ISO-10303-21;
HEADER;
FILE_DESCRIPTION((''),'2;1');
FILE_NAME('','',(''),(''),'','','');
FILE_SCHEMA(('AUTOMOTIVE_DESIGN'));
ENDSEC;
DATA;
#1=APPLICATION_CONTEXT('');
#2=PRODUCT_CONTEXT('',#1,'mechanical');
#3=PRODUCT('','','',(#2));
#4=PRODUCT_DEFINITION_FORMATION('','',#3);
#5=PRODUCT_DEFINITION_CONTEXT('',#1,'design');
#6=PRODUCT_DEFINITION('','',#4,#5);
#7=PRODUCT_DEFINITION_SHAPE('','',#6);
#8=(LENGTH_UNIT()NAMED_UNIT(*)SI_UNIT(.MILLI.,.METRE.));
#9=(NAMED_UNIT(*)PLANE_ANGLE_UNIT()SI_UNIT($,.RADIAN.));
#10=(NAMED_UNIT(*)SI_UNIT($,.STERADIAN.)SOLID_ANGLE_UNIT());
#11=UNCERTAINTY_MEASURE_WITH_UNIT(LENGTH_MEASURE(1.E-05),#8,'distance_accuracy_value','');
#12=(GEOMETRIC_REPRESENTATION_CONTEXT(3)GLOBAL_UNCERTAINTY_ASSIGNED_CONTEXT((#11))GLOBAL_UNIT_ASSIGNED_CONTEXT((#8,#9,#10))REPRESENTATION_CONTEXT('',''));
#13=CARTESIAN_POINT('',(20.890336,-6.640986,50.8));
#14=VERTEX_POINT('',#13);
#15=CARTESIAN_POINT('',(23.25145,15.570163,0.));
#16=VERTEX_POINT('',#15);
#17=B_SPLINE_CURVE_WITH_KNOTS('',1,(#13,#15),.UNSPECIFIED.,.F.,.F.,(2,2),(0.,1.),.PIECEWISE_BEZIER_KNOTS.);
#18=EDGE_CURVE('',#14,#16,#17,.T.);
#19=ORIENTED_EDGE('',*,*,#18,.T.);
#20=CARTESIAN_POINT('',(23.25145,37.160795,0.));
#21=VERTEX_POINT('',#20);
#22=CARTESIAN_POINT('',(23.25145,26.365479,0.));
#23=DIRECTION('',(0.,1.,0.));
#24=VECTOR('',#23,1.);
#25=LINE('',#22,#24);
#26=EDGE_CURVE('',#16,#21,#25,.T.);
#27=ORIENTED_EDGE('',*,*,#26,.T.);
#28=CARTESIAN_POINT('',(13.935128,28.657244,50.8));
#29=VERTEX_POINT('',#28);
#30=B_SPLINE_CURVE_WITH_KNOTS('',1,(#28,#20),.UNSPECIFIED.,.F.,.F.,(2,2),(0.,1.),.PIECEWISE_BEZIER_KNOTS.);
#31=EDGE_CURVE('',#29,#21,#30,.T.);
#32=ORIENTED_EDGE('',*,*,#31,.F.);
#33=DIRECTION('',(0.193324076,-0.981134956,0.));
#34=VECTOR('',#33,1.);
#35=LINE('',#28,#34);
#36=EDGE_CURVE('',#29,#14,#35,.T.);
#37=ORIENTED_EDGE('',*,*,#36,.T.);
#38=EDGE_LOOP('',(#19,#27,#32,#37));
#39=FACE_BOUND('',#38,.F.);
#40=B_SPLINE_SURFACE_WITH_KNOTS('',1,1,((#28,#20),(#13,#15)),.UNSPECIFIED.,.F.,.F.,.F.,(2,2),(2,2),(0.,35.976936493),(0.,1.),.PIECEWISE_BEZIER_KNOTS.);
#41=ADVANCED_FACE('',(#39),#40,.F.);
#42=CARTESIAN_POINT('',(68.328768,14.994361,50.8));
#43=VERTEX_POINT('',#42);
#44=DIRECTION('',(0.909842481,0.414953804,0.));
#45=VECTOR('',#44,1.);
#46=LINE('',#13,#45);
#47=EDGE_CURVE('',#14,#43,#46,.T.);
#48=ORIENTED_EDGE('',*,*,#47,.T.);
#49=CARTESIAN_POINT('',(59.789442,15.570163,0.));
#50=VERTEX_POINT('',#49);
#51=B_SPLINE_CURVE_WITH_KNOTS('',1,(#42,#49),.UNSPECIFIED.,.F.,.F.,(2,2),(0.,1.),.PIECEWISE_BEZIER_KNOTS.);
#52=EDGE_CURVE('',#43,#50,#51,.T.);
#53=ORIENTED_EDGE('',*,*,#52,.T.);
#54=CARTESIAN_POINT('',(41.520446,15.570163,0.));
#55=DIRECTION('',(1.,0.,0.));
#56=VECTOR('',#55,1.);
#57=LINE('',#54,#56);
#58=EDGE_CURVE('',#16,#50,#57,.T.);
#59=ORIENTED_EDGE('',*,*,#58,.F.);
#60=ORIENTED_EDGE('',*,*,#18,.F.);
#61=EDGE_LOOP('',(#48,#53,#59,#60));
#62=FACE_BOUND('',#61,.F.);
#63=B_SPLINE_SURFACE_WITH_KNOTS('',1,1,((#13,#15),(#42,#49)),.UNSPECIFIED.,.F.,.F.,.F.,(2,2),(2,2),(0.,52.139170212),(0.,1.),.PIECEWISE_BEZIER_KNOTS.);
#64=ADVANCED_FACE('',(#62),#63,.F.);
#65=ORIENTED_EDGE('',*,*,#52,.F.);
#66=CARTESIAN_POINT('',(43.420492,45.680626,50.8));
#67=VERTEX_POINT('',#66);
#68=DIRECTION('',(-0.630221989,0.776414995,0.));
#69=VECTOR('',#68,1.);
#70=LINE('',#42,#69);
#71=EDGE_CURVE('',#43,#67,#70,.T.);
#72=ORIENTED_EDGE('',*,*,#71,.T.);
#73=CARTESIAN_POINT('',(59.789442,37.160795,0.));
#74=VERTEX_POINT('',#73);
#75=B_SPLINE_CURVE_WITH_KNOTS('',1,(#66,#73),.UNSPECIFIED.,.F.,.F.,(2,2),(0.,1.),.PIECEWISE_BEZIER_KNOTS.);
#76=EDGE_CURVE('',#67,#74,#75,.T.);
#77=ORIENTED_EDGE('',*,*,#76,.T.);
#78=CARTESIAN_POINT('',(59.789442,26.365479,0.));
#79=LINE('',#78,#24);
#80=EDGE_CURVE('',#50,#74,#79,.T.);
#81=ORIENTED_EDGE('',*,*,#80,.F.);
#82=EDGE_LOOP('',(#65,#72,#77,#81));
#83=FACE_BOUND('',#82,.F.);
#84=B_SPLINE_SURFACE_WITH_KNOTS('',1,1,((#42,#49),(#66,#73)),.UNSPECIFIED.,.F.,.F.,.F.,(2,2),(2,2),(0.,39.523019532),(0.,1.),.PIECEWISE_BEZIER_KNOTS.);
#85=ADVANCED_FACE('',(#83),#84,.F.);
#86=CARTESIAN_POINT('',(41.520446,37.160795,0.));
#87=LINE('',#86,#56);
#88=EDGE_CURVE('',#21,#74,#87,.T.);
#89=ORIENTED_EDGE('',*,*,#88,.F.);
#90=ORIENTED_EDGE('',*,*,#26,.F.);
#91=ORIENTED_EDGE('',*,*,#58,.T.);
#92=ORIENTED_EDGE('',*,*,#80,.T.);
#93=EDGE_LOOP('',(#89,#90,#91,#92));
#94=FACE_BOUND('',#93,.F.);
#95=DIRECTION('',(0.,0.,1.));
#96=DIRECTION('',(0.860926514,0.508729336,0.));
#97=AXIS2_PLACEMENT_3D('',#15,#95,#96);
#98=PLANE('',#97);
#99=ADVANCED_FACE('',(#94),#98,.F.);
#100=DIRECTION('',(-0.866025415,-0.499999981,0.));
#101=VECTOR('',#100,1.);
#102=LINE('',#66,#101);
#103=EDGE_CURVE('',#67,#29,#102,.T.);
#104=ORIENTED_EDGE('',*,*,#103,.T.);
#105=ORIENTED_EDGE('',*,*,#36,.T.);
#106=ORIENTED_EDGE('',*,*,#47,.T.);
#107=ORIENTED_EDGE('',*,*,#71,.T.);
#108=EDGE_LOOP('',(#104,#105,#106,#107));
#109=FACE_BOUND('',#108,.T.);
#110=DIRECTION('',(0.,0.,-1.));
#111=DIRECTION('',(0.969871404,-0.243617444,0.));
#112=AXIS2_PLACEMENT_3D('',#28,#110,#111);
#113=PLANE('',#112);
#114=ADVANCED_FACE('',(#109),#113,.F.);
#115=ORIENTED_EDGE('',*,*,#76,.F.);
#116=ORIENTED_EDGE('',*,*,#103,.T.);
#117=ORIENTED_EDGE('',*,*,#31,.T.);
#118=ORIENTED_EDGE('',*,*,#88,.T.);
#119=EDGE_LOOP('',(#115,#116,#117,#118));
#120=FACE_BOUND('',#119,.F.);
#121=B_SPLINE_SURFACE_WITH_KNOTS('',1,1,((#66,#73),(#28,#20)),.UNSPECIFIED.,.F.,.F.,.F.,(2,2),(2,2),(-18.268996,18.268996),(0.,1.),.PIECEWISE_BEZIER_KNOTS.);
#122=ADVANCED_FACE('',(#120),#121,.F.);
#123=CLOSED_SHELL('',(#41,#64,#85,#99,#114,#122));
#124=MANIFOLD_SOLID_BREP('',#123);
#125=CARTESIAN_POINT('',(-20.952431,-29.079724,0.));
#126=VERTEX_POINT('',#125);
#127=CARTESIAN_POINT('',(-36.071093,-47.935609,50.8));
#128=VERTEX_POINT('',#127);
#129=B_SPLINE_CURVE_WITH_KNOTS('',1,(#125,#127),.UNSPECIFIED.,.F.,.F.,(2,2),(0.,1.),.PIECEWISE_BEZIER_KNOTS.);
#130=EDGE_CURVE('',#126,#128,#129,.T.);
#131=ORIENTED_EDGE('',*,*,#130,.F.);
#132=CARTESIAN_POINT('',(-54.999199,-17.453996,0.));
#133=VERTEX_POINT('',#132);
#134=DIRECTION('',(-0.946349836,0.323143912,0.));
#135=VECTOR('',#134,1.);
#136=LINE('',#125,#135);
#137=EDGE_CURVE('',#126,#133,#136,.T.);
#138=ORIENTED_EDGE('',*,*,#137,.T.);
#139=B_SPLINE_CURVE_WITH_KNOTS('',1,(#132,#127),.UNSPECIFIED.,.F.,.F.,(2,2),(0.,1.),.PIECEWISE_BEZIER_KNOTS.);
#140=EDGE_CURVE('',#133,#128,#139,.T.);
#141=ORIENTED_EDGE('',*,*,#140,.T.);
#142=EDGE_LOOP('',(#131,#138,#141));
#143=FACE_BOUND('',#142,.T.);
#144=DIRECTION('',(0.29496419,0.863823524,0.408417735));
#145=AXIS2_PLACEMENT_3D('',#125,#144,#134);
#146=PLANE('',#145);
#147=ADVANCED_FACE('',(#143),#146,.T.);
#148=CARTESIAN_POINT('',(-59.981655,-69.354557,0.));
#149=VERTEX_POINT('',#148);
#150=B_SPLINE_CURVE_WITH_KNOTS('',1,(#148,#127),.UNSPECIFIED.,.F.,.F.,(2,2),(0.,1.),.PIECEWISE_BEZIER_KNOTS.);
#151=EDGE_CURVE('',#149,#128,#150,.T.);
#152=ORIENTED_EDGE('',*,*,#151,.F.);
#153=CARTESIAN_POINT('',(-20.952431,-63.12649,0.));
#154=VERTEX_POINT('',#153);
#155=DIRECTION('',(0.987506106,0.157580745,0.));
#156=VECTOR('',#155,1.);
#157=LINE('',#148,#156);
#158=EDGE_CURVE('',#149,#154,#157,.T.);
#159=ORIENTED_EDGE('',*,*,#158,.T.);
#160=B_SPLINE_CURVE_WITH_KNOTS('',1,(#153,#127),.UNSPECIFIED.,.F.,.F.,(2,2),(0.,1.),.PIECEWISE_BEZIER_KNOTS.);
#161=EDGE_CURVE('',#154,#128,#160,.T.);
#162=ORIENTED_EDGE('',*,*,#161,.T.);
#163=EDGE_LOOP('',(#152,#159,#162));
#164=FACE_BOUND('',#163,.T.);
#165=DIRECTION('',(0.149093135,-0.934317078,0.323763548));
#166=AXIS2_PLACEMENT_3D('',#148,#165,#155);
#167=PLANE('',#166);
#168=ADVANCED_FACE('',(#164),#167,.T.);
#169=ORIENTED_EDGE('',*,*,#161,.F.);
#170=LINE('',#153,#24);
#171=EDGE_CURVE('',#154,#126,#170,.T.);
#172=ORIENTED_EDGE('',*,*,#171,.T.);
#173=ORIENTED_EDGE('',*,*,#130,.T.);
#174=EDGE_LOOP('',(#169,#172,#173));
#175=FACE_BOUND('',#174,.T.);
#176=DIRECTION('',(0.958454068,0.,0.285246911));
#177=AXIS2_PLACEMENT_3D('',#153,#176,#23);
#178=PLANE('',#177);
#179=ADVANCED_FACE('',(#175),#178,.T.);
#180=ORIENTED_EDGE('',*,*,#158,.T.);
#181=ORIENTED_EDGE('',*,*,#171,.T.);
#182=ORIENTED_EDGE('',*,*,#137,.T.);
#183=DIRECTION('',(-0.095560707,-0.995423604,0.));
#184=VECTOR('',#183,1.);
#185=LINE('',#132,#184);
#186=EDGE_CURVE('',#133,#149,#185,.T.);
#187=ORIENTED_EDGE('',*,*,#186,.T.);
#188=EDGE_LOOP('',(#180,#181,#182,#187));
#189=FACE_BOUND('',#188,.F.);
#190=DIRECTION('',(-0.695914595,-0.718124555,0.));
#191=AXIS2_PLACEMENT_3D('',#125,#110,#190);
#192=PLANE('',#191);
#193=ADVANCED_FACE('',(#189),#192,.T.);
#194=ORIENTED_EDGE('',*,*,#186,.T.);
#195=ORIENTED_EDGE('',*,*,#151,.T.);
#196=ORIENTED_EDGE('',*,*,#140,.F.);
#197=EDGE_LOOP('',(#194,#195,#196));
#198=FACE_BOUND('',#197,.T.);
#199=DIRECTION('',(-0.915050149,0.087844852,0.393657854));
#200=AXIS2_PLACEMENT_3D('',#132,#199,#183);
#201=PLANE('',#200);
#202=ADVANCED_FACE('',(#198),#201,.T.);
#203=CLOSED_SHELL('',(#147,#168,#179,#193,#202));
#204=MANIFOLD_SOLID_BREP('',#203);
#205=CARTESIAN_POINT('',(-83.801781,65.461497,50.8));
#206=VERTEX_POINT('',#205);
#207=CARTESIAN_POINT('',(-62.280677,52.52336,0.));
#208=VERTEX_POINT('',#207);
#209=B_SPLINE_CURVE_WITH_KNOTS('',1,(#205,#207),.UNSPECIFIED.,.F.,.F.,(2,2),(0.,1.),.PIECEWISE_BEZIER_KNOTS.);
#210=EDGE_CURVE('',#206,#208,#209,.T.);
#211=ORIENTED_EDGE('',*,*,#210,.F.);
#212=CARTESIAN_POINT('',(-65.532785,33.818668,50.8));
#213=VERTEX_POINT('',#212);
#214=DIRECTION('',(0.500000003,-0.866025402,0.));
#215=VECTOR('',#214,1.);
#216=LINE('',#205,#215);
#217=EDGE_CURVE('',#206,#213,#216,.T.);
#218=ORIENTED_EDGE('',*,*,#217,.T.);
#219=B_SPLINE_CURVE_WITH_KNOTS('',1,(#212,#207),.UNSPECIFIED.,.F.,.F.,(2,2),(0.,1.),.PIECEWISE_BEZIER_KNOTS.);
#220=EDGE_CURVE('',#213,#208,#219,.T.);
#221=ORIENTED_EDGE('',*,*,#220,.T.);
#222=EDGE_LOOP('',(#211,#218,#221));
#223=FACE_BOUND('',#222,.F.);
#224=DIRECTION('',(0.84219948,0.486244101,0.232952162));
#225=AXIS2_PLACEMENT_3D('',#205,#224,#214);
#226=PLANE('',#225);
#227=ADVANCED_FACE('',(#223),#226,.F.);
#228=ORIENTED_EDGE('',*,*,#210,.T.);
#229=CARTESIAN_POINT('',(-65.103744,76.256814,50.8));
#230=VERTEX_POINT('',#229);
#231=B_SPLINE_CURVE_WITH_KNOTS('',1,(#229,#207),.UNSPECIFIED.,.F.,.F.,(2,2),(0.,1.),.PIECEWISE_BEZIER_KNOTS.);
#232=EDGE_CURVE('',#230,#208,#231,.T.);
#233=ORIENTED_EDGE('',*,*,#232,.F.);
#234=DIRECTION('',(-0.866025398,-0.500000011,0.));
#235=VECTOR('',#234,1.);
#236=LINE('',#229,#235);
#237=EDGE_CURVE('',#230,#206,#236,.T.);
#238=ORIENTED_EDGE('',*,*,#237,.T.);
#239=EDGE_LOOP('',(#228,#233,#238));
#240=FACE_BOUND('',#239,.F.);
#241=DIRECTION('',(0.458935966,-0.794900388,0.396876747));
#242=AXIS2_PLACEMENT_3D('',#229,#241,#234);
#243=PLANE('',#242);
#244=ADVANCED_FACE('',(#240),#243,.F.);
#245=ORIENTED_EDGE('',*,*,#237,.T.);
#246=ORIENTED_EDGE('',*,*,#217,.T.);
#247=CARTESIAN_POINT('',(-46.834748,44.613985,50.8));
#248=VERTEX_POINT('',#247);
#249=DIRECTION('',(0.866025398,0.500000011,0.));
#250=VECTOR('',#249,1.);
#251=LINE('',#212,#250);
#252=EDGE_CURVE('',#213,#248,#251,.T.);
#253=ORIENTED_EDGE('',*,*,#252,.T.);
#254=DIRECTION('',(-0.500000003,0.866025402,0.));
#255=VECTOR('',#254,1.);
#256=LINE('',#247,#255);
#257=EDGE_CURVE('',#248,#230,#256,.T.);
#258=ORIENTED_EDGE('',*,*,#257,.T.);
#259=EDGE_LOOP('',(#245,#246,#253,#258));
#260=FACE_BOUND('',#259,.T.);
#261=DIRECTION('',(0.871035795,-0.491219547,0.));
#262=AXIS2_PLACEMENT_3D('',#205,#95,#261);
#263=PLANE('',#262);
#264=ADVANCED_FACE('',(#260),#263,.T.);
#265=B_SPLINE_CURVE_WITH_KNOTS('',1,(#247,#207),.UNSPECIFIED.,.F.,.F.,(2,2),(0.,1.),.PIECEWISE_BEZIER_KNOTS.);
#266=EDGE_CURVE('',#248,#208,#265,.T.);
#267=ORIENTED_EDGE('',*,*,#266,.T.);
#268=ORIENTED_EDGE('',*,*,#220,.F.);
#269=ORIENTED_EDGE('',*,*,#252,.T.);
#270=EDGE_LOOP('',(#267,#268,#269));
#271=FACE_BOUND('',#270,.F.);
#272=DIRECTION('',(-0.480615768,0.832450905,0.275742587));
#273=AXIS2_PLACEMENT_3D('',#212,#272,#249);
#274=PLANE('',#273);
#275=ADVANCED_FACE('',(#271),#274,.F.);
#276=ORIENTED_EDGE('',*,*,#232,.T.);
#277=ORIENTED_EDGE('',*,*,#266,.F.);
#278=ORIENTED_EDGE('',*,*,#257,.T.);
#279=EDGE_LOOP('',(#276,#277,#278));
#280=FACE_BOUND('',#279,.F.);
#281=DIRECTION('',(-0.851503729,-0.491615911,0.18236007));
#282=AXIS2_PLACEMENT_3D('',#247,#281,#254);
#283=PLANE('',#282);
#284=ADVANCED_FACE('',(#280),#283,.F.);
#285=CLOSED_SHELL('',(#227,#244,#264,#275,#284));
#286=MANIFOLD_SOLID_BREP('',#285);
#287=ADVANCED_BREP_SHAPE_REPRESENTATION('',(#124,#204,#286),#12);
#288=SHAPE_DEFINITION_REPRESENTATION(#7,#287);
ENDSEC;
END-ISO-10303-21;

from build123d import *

# Parameters (mm, degrees)
F0_W = 36.537992
F0_H = 21.590633


with BuildPart() as f3:
    # F2 (on offset) → F3 section 0
    with BuildSketch(Plane.XY.offset(50.8)):
        Polygon((13.935128, 28.657244), (20.890336, -6.640986), (68.328768, 14.994361), (43.420492, 45.680626), align=None)
    # F0 (on Top) → F3 section 1
    with BuildSketch(Plane.XY):
        with Locations((41.520446, 26.365479)):
            Rectangle(F0_W, F0_H)
    loft()


with BuildPart() as f4:
    # F0 (on Top) → F4 section 0
    with BuildSketch(Plane.XY, mode=Mode.PRIVATE) as f4_s0:
        Polygon((-20.952431, -29.079724), (-54.999199, -17.453996), (-59.981655, -69.354557), (-20.952431, -63.12649), align=None)
    loft([f4_s0.sketch, Vertex(-36.071093, -47.935609, 50.8)])


with BuildPart() as f5:
    # F2 (on offset) → F5 section 0
    with BuildSketch(Plane.XY.offset(50.8), mode=Mode.PRIVATE) as f5_s0:
        Polygon((-83.801781, 65.461497), (-65.532785, 33.818668), (-46.834748, 44.613985), (-65.103744, 76.256814), align=None)
    loft([f5_s0.sketch, Vertex(-62.280677, 52.52336, 0)])


solid = Compound([f3.part, f4.part, f5.part])
